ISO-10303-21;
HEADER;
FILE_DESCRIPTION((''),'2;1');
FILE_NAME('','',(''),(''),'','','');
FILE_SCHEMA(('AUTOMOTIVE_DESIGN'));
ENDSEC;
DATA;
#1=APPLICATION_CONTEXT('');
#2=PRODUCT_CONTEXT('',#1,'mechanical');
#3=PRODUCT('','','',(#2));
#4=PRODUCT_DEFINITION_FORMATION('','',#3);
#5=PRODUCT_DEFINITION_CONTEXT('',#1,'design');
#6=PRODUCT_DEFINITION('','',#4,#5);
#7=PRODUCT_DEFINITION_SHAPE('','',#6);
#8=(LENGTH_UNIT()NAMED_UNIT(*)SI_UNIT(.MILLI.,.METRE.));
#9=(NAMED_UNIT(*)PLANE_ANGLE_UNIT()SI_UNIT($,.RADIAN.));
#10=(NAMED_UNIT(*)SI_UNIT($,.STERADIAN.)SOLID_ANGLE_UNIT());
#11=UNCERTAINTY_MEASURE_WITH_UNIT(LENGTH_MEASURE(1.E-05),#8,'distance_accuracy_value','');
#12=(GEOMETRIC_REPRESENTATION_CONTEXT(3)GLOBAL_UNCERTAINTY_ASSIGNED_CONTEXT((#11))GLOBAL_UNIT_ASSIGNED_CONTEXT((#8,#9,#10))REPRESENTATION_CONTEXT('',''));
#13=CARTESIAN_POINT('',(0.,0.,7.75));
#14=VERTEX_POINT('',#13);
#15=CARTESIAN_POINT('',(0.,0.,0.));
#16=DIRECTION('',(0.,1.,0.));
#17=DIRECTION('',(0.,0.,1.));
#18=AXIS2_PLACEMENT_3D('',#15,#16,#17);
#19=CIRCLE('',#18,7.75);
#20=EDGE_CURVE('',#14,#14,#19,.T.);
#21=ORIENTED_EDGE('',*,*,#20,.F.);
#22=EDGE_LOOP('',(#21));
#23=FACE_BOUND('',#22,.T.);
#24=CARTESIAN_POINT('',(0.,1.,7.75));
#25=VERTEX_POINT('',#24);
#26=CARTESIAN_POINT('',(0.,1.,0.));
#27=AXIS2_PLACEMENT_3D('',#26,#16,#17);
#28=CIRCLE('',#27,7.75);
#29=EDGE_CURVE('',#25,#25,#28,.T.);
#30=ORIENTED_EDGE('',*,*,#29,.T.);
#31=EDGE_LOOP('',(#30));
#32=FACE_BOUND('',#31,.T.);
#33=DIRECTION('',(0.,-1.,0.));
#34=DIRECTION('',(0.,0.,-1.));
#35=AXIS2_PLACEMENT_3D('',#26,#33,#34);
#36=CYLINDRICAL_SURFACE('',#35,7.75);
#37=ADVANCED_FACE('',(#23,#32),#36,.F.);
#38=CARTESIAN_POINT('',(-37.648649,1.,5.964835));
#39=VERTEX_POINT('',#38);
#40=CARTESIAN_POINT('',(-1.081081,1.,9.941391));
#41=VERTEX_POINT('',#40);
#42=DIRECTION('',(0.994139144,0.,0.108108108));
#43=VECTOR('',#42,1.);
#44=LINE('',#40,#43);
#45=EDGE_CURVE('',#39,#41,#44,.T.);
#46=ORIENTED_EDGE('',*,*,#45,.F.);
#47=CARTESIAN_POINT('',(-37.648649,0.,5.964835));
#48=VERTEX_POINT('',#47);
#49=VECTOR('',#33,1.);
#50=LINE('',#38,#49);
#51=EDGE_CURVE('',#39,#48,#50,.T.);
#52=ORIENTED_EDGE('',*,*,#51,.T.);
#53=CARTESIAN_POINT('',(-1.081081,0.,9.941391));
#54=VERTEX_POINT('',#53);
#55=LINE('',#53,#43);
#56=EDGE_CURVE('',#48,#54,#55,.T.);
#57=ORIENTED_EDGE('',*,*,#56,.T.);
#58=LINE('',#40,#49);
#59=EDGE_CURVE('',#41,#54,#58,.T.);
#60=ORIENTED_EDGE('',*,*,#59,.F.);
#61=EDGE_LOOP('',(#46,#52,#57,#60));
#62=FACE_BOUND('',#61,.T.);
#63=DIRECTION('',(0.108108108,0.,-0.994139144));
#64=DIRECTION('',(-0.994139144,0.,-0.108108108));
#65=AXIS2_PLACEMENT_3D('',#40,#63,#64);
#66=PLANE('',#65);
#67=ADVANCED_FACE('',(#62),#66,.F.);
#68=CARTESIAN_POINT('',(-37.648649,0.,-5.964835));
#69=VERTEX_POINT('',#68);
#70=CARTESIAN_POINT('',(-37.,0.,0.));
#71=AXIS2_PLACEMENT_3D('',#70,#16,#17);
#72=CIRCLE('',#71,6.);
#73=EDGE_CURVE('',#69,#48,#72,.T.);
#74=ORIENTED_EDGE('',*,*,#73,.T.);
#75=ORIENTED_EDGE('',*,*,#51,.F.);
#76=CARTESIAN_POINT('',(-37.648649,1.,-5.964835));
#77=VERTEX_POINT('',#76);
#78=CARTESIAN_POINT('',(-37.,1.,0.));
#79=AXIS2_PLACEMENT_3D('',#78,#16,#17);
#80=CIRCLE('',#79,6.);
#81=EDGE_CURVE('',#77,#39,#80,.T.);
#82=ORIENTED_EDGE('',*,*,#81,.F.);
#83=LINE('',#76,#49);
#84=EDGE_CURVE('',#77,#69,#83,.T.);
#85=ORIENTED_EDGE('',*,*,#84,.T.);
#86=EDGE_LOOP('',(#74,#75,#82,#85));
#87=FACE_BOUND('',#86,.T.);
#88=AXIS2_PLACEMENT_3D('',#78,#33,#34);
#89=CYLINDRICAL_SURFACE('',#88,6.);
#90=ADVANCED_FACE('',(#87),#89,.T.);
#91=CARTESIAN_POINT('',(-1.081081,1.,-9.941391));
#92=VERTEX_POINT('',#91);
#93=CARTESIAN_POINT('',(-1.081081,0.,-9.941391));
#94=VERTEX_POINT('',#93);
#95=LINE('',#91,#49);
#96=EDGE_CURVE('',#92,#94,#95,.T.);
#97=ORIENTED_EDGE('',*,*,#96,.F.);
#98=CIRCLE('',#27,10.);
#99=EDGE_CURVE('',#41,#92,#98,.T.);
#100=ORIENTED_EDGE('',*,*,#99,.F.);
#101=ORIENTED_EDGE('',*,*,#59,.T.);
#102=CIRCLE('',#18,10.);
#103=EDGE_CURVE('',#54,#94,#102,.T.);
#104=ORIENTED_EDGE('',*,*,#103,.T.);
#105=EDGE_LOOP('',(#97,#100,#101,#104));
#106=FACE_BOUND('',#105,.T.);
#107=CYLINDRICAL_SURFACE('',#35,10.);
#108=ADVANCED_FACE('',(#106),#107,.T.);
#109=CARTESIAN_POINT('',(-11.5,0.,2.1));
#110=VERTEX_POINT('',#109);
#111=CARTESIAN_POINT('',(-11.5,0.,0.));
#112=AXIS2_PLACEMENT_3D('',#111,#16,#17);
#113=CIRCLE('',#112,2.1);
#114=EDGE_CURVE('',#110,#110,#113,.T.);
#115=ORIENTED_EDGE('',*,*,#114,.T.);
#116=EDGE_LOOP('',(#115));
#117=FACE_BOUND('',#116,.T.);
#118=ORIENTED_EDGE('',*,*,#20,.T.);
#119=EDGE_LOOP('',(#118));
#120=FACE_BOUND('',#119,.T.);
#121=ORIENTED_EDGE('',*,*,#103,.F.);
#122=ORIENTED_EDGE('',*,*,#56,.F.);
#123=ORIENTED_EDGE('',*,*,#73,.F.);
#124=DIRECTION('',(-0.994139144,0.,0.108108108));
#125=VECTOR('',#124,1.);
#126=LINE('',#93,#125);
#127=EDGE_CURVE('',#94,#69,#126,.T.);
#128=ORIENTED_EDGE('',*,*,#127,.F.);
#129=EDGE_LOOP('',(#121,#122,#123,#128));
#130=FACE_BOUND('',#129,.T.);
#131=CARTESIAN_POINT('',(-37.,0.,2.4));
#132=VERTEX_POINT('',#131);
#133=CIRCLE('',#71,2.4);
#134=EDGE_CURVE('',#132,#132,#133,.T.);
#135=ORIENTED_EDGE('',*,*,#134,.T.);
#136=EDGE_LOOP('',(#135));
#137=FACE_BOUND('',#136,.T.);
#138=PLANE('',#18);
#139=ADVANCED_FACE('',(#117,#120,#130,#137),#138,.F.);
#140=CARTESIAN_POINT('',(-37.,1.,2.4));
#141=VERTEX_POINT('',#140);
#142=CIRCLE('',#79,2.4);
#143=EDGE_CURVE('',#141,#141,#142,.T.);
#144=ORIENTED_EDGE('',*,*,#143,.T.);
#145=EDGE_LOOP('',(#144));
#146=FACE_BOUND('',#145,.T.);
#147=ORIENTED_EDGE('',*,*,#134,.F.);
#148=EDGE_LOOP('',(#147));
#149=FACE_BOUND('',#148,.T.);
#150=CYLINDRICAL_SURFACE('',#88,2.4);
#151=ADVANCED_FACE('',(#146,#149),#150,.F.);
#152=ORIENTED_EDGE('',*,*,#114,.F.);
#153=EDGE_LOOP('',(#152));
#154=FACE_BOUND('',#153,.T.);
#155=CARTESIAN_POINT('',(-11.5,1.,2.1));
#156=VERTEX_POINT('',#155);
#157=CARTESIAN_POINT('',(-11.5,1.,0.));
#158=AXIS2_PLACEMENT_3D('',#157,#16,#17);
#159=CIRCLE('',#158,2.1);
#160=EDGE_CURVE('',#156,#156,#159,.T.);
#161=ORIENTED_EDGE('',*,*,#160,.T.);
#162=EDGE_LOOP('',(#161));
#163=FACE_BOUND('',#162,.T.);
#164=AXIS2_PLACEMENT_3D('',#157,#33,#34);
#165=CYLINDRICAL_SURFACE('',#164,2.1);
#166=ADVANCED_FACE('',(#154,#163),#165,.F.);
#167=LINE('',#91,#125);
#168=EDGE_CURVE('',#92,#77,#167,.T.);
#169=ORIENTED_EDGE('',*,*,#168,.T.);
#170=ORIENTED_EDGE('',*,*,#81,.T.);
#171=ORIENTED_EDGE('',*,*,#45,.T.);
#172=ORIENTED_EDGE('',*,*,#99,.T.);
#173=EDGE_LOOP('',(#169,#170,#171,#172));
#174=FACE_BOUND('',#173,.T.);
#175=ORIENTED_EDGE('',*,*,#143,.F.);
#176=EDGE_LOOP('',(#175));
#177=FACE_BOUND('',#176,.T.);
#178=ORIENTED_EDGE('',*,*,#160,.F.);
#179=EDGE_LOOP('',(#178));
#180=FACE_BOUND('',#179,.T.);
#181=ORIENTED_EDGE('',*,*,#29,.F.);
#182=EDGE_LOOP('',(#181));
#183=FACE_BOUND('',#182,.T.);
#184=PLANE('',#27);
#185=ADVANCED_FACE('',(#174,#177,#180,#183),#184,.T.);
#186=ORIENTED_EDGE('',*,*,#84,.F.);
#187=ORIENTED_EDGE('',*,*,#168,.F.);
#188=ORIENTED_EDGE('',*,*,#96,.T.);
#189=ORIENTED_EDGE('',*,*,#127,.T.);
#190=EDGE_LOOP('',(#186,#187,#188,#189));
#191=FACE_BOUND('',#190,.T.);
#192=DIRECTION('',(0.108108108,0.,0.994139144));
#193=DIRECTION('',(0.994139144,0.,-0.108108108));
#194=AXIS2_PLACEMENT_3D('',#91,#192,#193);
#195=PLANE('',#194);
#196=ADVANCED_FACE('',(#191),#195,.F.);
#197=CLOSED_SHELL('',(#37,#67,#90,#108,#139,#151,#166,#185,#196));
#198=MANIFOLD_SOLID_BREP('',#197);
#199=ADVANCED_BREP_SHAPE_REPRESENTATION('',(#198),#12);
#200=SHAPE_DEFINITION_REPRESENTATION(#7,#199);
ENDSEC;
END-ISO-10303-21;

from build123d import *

# Parameters (mm, degrees)
SKETCH1_R           = 2.4
SKETCH1_R_2         = 7.75
SKETCH1_R_3         = 2.1
BOSS_EXTRUDE1_DEPTH = 1


with BuildPart() as part:
    # Sketch1 → Boss-Extrude1 (new body)
    with BuildSketch(Plane(origin=(0, 0, 0), x_dir=(1, 0, 0), z_dir=(0, 1, 0))):
        with BuildLine():
            Line((-1.081081081, 9.941391437), (-37.648648649, 5.964834862))
            ThreePointArc((-37.648648649, 5.964834862), (-43, 0), (-37.648648649, -5.964834862))
            Line((-37.648648649, -5.964834862), (-1.081081081, -9.941391437))
            ThreePointArc((-1.081081081, -9.941391437), (10, 0), (-1.081081081, 9.941391437))
        make_face()
        with Locations(Location((-37, 0, 0), (0, 0, 270))):
            Circle(SKETCH1_R, mode=Mode.SUBTRACT)
        with Locations(Location((0, 0, 0), (0, 0, 270))):
            Circle(SKETCH1_R_2, mode=Mode.SUBTRACT)
        with Locations(Location((-11.5, 0, 0), (0, 0, 270))):
            Circle(SKETCH1_R_3, mode=Mode.SUBTRACT)
    extrude(amount=BOSS_EXTRUDE1_DEPTH)


solid = part.part
